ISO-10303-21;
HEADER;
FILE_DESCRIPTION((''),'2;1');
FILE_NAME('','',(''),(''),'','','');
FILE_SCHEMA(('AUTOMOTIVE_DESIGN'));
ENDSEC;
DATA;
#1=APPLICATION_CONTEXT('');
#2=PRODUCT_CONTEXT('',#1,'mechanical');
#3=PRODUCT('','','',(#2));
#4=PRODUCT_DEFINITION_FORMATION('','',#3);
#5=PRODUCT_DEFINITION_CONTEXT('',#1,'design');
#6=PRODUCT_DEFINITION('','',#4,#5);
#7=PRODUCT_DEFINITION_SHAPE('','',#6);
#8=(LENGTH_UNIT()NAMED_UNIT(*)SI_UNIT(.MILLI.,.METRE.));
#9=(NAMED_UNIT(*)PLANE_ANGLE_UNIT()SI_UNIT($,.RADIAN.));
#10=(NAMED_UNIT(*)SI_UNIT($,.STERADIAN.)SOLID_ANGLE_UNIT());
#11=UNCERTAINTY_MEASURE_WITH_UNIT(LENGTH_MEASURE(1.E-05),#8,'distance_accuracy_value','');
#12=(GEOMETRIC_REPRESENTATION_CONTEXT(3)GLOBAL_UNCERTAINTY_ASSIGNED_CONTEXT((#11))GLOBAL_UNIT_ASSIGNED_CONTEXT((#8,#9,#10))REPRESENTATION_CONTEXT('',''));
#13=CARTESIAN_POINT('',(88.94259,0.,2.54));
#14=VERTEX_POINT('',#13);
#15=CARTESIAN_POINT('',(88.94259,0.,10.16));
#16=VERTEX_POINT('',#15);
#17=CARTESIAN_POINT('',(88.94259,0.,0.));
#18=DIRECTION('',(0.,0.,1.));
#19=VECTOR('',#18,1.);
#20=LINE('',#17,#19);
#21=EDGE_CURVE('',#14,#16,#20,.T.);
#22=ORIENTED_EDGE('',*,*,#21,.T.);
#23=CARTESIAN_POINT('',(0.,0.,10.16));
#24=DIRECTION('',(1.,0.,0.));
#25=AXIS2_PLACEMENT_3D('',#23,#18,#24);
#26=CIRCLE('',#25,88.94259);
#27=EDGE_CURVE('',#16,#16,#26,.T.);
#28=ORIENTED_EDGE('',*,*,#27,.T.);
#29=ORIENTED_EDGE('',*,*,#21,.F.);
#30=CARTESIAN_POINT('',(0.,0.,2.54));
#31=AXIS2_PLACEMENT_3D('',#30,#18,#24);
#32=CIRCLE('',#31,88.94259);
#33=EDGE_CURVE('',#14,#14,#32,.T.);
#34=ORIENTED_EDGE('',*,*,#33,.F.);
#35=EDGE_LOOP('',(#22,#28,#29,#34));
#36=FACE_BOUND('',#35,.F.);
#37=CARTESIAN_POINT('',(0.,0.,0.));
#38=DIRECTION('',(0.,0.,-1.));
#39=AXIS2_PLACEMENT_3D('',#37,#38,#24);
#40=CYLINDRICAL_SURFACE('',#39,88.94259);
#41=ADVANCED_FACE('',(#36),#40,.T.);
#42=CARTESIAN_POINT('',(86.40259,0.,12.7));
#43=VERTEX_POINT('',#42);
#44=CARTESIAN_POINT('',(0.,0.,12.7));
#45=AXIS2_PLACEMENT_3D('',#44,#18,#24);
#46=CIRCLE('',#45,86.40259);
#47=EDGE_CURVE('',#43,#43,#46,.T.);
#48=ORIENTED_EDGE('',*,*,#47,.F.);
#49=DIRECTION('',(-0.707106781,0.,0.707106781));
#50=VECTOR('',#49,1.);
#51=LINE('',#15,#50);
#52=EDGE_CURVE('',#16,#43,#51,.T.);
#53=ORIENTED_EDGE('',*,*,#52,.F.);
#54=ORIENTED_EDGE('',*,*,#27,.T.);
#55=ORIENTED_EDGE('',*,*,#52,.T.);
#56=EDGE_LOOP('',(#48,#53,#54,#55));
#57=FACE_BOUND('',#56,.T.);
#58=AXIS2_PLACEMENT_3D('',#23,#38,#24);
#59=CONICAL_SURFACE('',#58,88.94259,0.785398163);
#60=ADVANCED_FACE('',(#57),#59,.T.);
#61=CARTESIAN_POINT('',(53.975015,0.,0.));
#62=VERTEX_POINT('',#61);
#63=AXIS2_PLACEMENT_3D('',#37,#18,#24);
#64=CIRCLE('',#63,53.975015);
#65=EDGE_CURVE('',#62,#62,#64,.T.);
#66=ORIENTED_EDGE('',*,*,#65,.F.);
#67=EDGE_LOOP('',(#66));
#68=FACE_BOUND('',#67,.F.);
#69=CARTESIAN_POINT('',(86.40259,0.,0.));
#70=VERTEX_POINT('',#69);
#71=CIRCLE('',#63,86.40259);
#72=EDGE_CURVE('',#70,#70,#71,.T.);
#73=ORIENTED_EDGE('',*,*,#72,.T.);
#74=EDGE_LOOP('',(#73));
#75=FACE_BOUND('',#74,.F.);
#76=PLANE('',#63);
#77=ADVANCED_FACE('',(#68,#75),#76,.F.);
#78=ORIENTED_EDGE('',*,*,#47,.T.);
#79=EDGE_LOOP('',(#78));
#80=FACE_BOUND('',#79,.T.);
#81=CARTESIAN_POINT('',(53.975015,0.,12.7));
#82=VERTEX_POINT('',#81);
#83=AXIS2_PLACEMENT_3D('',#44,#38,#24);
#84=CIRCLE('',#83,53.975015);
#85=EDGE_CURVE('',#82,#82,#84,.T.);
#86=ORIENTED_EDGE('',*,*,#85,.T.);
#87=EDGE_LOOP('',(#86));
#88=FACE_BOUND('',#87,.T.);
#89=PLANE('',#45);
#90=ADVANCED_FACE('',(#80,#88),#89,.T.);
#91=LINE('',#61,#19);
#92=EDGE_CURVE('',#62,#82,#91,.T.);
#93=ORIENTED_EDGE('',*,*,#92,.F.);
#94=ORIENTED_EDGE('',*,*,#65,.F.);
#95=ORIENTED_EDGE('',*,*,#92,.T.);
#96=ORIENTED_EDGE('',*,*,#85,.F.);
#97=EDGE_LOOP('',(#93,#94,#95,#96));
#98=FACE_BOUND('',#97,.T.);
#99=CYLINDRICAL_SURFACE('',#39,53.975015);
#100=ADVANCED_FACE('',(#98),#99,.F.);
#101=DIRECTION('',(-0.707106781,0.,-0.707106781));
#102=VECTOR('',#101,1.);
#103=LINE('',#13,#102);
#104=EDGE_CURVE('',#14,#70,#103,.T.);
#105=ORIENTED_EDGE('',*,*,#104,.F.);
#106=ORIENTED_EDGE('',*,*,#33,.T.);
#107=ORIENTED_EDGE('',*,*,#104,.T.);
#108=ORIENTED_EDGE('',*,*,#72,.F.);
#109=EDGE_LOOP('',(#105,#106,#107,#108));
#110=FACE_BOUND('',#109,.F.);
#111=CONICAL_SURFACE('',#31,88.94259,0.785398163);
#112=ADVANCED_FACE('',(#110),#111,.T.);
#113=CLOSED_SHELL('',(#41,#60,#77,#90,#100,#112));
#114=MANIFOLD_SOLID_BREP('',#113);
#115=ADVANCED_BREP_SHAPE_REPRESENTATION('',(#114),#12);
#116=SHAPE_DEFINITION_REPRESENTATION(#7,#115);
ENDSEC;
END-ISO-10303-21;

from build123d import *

# Parameters (mm, degrees)
F0_R     = 88.94259
F1_DEPTH = 12.7
F2_SIZE  = 2.54
F3_SIZE  = 2.54
F4_R     = 53.975015
F5_DEPTH = 50.8


with BuildPart() as f1:
    # F0 (on Top) → F1 (new body)
    with BuildSketch(Plane.XY):
        Circle(F0_R)
    extrude(amount=F1_DEPTH)

    # F2
    f2_edges = [f1.edges().sort_by_distance(p)[0] for p in [
        (-88.94259, 0, 12.7),
    ]]
    chamfer(f2_edges, length=F2_SIZE)

    # F3
    f3_edges = [f1.edges().sort_by_distance(p)[0] for p in [
        (-88.94259, 0, 0),
    ]]
    chamfer(f3_edges, length=F3_SIZE)

    # F4 (on Top) → F5 (cut)
    with BuildSketch(Plane.XY):
        Circle(F4_R)
    extrude(amount=F5_DEPTH, mode=Mode.SUBTRACT)


solid = f1.part
